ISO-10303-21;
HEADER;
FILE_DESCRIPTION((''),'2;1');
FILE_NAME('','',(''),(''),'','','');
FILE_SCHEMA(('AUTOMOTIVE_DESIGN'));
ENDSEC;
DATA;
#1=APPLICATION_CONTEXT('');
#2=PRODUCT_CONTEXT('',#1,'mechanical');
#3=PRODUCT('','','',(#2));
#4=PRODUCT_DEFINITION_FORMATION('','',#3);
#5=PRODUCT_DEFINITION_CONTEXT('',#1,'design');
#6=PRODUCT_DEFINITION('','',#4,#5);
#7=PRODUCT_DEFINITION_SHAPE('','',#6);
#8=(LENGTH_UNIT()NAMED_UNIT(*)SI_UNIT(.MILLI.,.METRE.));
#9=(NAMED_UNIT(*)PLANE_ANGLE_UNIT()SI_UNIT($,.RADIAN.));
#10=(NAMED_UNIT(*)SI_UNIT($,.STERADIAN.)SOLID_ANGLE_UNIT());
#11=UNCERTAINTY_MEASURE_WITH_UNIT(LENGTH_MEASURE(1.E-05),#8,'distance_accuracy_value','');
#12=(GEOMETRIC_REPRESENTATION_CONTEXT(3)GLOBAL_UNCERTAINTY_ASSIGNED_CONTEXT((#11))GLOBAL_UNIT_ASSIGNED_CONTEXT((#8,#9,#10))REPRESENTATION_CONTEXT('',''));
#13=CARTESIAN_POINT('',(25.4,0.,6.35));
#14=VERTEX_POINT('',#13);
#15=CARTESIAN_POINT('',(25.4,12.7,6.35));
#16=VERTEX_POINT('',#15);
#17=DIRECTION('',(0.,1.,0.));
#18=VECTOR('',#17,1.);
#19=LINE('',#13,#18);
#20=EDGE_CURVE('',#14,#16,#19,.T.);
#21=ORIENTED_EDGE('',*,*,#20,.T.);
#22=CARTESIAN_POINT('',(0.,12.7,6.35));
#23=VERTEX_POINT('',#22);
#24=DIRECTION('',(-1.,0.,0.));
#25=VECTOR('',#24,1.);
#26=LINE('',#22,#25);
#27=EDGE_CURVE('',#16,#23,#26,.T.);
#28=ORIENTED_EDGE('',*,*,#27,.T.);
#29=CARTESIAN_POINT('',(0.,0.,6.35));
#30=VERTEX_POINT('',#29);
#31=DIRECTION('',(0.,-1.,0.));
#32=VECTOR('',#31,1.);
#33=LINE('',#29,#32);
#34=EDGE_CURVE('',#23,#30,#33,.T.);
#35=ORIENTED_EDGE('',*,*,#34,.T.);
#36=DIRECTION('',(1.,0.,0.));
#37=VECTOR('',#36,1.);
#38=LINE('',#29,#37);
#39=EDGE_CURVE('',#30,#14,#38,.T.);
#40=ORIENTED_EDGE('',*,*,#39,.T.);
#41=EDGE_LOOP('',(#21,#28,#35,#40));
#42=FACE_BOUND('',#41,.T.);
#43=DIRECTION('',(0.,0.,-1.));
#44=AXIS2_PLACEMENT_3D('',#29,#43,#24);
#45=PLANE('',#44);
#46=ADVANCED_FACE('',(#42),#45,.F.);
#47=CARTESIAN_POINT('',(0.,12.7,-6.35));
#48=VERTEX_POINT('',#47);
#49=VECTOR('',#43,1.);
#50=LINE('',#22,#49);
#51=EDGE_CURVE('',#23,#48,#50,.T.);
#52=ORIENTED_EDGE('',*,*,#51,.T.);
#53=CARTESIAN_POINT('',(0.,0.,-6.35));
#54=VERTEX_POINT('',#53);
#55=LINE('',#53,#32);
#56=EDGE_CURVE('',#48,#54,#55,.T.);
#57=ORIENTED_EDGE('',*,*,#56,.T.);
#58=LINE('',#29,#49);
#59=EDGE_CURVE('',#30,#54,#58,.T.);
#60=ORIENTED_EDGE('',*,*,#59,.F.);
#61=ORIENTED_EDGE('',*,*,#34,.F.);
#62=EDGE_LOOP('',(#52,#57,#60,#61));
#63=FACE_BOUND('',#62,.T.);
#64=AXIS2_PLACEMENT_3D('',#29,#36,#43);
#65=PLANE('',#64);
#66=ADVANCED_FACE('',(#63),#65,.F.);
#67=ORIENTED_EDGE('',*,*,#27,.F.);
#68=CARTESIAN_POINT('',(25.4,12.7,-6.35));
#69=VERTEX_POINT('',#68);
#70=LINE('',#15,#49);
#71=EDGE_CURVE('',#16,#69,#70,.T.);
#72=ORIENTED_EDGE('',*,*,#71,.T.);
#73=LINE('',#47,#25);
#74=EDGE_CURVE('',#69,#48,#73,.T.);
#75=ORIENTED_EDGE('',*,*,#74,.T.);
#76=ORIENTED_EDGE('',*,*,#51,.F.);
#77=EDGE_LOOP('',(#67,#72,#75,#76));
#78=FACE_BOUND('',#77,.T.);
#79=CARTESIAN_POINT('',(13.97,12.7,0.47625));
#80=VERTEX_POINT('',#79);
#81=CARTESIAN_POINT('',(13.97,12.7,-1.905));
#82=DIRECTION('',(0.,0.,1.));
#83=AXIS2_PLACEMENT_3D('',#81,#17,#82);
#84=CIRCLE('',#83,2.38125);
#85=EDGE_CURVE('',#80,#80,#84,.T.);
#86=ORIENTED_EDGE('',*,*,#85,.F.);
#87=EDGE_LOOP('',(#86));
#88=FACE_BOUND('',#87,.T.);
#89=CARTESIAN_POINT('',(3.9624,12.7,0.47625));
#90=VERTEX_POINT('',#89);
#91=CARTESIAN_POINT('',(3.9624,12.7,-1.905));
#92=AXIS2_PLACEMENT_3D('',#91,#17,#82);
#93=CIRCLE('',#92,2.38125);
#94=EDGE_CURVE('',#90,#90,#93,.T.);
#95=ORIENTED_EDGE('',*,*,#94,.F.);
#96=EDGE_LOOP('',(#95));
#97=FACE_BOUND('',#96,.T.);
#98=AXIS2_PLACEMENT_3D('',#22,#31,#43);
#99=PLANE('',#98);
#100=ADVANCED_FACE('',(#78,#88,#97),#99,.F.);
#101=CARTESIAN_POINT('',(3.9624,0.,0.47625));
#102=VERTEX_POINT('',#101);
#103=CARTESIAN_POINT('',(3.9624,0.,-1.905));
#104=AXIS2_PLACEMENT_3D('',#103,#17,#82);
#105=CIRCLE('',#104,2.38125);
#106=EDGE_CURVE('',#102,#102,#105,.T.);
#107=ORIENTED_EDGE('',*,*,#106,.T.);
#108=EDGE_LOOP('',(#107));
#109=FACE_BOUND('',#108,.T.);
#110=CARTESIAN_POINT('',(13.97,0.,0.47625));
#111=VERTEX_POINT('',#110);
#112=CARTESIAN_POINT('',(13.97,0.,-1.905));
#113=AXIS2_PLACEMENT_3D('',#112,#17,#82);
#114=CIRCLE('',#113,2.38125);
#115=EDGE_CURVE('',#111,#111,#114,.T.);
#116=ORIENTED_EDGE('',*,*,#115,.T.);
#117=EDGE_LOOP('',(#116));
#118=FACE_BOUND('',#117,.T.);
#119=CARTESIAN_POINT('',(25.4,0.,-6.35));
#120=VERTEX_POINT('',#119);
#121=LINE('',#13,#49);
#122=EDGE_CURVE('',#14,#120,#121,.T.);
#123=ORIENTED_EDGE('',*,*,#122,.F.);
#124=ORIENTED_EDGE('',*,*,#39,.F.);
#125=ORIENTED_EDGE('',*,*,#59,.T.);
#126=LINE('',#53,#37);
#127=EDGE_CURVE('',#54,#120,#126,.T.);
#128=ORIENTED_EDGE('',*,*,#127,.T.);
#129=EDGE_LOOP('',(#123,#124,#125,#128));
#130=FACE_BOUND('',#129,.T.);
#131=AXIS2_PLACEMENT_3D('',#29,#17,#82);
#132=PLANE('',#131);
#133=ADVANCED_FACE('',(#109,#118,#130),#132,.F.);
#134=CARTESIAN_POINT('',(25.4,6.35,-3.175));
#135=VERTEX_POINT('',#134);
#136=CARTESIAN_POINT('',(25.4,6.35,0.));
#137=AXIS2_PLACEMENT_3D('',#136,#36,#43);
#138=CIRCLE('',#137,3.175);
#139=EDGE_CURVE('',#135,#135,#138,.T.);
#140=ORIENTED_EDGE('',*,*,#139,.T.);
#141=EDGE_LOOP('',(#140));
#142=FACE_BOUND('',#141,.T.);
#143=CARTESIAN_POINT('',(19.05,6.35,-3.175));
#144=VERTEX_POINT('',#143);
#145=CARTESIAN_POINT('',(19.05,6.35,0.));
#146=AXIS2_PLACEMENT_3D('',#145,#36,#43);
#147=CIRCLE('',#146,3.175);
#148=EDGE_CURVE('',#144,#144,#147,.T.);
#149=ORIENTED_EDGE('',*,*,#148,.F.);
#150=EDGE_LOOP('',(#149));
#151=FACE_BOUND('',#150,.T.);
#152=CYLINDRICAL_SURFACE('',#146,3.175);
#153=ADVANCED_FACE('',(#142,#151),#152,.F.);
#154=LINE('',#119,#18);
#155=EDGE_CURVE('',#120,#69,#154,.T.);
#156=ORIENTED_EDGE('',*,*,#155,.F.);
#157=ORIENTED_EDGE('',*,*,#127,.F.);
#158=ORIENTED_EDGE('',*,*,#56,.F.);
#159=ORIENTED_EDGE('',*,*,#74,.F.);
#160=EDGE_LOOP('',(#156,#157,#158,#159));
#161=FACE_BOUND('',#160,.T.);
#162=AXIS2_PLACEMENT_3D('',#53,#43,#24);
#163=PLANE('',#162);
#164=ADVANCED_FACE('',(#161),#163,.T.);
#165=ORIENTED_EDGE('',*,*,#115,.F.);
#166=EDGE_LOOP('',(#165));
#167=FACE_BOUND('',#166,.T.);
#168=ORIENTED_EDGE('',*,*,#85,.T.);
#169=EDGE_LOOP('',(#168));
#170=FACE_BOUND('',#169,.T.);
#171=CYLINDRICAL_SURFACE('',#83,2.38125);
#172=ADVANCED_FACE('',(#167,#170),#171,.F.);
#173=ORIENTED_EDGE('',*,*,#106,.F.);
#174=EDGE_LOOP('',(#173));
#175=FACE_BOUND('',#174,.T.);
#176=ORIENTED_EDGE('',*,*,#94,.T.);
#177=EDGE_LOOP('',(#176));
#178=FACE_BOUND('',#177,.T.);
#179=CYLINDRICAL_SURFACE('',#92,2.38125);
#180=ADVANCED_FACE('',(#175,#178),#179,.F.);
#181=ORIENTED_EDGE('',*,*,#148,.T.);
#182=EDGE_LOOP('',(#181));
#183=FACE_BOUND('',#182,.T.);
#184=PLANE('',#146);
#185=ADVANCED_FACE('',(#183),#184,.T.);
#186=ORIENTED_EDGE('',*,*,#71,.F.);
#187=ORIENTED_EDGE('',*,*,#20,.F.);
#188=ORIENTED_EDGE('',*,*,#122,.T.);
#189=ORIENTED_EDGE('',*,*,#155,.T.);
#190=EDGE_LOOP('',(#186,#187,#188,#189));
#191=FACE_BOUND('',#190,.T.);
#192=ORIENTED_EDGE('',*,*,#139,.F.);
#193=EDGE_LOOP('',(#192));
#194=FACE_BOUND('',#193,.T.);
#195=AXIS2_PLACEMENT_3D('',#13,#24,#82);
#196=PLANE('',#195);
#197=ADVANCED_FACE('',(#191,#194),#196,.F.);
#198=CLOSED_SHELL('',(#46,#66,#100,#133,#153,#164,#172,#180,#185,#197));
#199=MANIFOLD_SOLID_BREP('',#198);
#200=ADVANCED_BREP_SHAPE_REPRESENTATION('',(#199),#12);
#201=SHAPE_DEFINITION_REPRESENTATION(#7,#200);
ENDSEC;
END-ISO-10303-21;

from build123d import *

# Parameters (mm, degrees)
SKETCH1_W                   = 25.4
SKETCH1_H                   = 12.7
BOSS_EXTRUDE1_DEPTH         = 6.35
F_3_16_0_1875_DOWEL_HOLE1_D = 4.7625
SKETCH6_R                   = 3.175
CUT_EXTRUDE1_DEPTH          = 6.35


with BuildPart() as part:
    # Sketch1 → Boss-Extrude1 (new, symmetric)
    with BuildSketch(Plane.XY):
        with Locations((12.7, 6.35)):
            Rectangle(SKETCH1_W, SKETCH1_H)
    extrude(amount=BOSS_EXTRUDE1_DEPTH, both=True)

    # 3/16 (0.1875) Dowel Hole1 (through all)
    with Locations(Plane(origin=(13.97, 12.7, -1.905), x_dir=(0, 0, 1), z_dir=(0, 1, 0))):
        with Locations((0, 0), (0, -10.0076)):
            Hole(F_3_16_0_1875_DOWEL_HOLE1_D / 2)

    # Sketch6 → Cut-Extrude1 (cut)
    with BuildSketch(Plane(origin=(25.4, 0, 0), x_dir=(0, 0, -1), z_dir=(1, 0, 0))):
        with Locations((0, 6.35)):
            Circle(SKETCH6_R)
    extrude(amount=-CUT_EXTRUDE1_DEPTH, mode=Mode.SUBTRACT)


solid = part.part
